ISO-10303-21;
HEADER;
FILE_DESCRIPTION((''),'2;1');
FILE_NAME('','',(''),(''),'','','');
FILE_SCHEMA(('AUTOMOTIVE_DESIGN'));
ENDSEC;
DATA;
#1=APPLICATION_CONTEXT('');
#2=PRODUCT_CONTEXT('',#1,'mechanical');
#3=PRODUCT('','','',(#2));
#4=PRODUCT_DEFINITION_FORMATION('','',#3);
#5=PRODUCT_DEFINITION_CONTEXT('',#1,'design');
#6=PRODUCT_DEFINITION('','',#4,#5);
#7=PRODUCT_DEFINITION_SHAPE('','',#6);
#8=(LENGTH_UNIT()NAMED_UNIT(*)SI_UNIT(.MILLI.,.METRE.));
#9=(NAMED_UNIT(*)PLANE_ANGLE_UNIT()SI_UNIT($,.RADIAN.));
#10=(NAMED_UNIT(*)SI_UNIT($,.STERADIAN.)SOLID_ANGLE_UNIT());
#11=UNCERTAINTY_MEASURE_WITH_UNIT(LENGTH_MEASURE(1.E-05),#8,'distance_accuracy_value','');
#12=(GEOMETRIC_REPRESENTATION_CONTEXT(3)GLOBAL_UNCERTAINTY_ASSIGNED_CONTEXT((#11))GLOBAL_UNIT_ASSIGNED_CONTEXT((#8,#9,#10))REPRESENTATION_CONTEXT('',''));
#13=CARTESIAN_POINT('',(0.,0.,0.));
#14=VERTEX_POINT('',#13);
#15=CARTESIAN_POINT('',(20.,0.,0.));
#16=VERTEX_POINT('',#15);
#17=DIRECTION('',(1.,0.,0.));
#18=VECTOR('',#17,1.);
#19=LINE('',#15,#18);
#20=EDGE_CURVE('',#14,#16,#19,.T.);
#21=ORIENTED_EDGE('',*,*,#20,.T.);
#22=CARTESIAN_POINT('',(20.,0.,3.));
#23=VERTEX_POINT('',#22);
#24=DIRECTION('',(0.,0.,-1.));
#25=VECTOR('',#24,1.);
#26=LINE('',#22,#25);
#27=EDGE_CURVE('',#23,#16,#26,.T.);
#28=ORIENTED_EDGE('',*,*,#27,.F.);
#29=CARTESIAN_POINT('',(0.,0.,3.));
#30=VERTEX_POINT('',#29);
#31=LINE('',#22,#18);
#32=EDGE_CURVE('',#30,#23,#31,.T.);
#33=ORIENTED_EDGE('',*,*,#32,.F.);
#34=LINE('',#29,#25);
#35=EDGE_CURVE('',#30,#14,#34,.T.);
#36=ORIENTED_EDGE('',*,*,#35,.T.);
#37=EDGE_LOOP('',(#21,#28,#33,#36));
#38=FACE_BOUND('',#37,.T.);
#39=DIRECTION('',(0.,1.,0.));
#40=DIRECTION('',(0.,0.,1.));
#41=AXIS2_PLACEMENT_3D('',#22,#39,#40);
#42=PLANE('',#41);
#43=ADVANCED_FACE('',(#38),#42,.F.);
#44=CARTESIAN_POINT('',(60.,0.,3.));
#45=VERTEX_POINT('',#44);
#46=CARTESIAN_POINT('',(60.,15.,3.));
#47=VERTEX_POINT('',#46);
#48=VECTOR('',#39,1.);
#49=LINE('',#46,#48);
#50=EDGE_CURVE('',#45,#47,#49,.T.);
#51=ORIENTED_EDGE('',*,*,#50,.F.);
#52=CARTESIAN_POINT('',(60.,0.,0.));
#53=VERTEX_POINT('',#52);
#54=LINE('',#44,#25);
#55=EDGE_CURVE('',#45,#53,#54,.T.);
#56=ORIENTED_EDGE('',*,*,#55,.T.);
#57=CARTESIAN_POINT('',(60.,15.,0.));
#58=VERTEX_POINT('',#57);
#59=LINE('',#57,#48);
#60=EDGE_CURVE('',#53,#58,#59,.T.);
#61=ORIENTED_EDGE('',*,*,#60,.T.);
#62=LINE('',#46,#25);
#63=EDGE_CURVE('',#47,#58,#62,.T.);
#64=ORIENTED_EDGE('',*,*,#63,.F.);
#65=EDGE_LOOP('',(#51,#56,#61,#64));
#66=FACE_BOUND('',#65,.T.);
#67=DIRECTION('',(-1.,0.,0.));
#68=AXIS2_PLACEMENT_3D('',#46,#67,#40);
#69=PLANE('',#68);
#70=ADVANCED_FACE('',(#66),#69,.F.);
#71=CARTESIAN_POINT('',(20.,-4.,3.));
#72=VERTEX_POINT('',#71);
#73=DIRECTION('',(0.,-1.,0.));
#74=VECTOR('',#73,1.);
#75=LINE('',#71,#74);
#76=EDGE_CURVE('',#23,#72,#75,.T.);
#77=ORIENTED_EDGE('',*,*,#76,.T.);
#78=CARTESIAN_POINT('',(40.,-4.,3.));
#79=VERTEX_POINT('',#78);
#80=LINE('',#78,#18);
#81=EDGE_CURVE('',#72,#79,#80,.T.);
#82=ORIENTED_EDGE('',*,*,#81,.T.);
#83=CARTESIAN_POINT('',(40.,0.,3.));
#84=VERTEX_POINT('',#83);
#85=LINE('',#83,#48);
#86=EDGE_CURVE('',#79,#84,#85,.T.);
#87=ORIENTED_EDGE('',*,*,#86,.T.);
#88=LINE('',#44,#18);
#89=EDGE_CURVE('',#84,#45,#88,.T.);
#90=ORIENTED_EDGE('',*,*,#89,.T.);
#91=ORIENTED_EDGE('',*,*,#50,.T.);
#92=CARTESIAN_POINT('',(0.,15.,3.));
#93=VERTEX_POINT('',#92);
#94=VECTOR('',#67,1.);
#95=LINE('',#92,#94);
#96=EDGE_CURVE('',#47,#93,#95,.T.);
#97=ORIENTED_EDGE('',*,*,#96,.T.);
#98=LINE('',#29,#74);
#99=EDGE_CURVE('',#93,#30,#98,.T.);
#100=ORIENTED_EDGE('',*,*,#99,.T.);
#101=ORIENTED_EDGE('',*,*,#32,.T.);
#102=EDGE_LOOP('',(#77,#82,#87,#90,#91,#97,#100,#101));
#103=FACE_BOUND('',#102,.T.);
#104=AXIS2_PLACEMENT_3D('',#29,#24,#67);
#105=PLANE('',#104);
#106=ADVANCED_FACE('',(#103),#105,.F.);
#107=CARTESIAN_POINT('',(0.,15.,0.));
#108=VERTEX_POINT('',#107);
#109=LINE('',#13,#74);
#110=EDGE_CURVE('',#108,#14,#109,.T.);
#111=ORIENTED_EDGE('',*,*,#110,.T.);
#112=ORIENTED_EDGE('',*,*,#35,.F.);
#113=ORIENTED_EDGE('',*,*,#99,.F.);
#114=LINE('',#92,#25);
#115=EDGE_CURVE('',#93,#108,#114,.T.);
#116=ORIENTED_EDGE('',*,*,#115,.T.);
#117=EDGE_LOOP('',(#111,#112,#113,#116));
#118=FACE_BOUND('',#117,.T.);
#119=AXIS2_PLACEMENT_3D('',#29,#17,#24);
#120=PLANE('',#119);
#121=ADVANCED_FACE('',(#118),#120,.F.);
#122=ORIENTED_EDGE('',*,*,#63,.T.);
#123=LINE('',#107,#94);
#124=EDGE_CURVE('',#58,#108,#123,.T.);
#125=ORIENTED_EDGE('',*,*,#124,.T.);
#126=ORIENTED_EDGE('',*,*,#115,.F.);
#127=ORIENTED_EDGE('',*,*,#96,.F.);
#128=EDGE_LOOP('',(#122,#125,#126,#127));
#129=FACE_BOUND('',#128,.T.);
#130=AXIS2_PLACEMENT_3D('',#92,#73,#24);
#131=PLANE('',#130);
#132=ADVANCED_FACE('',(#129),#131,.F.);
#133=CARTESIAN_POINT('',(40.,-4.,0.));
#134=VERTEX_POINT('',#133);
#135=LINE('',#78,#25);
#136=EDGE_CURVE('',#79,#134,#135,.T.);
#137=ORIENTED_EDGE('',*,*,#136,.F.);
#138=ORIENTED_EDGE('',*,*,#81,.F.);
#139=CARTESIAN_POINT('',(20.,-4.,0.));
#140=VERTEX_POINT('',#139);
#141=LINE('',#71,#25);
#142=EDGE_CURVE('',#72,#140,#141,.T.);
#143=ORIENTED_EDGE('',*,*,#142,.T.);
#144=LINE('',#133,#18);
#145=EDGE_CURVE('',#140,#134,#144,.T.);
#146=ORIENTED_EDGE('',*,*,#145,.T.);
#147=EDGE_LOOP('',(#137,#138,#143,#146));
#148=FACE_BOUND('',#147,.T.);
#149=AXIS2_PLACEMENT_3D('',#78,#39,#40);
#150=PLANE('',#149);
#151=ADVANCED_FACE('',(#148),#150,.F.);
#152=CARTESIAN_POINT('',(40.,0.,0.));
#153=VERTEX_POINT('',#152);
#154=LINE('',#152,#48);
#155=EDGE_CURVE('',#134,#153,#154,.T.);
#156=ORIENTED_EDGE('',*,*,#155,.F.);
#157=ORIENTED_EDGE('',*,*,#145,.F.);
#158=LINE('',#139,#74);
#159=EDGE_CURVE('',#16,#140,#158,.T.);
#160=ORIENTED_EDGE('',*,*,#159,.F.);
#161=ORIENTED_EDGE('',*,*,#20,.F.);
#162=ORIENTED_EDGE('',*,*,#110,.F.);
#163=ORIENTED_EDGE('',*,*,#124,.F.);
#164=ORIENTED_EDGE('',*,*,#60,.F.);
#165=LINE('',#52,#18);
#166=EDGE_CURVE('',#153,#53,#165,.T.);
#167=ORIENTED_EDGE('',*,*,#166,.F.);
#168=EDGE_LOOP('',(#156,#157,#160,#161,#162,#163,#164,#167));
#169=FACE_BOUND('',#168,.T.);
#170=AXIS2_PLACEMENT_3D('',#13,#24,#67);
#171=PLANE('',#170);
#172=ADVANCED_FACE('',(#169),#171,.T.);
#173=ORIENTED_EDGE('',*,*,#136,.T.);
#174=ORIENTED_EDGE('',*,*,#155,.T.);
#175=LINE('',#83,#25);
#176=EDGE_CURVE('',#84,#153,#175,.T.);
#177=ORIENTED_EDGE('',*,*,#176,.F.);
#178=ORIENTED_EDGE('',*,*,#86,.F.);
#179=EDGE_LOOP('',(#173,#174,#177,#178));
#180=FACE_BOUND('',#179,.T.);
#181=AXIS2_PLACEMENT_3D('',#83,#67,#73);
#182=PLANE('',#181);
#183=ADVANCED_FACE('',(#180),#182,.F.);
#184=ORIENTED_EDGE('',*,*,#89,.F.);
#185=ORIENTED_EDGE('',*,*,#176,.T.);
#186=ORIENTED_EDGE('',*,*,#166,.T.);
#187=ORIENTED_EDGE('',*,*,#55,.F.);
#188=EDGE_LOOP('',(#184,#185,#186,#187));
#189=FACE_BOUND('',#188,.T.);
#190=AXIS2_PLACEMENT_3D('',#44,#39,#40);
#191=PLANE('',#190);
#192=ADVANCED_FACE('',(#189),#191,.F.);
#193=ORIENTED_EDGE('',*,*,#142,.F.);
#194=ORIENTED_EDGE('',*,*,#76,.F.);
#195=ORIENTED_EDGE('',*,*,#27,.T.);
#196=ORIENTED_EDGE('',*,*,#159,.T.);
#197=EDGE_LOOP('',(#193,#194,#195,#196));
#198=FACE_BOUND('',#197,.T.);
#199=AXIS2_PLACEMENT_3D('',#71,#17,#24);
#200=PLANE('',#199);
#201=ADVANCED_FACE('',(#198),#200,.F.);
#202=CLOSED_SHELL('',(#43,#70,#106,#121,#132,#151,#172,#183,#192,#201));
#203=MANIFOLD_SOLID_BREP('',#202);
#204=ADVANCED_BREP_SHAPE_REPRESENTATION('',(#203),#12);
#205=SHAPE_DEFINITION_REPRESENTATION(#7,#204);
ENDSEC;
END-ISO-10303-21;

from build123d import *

# Parameters (mm, degrees)
BOSS_EXTRUDE1_DEPTH = 3


with BuildPart() as part:
    # Sketch1 → Boss-Extrude1 (new body)
    with BuildSketch(Plane.XY):
        Polygon((0, 0), (0, 15), (60, 15), (60, 0), (40, 0), (40, -4), (20, -4), (20, 0), align=None)
    extrude(amount=BOSS_EXTRUDE1_DEPTH)


solid = part.part
